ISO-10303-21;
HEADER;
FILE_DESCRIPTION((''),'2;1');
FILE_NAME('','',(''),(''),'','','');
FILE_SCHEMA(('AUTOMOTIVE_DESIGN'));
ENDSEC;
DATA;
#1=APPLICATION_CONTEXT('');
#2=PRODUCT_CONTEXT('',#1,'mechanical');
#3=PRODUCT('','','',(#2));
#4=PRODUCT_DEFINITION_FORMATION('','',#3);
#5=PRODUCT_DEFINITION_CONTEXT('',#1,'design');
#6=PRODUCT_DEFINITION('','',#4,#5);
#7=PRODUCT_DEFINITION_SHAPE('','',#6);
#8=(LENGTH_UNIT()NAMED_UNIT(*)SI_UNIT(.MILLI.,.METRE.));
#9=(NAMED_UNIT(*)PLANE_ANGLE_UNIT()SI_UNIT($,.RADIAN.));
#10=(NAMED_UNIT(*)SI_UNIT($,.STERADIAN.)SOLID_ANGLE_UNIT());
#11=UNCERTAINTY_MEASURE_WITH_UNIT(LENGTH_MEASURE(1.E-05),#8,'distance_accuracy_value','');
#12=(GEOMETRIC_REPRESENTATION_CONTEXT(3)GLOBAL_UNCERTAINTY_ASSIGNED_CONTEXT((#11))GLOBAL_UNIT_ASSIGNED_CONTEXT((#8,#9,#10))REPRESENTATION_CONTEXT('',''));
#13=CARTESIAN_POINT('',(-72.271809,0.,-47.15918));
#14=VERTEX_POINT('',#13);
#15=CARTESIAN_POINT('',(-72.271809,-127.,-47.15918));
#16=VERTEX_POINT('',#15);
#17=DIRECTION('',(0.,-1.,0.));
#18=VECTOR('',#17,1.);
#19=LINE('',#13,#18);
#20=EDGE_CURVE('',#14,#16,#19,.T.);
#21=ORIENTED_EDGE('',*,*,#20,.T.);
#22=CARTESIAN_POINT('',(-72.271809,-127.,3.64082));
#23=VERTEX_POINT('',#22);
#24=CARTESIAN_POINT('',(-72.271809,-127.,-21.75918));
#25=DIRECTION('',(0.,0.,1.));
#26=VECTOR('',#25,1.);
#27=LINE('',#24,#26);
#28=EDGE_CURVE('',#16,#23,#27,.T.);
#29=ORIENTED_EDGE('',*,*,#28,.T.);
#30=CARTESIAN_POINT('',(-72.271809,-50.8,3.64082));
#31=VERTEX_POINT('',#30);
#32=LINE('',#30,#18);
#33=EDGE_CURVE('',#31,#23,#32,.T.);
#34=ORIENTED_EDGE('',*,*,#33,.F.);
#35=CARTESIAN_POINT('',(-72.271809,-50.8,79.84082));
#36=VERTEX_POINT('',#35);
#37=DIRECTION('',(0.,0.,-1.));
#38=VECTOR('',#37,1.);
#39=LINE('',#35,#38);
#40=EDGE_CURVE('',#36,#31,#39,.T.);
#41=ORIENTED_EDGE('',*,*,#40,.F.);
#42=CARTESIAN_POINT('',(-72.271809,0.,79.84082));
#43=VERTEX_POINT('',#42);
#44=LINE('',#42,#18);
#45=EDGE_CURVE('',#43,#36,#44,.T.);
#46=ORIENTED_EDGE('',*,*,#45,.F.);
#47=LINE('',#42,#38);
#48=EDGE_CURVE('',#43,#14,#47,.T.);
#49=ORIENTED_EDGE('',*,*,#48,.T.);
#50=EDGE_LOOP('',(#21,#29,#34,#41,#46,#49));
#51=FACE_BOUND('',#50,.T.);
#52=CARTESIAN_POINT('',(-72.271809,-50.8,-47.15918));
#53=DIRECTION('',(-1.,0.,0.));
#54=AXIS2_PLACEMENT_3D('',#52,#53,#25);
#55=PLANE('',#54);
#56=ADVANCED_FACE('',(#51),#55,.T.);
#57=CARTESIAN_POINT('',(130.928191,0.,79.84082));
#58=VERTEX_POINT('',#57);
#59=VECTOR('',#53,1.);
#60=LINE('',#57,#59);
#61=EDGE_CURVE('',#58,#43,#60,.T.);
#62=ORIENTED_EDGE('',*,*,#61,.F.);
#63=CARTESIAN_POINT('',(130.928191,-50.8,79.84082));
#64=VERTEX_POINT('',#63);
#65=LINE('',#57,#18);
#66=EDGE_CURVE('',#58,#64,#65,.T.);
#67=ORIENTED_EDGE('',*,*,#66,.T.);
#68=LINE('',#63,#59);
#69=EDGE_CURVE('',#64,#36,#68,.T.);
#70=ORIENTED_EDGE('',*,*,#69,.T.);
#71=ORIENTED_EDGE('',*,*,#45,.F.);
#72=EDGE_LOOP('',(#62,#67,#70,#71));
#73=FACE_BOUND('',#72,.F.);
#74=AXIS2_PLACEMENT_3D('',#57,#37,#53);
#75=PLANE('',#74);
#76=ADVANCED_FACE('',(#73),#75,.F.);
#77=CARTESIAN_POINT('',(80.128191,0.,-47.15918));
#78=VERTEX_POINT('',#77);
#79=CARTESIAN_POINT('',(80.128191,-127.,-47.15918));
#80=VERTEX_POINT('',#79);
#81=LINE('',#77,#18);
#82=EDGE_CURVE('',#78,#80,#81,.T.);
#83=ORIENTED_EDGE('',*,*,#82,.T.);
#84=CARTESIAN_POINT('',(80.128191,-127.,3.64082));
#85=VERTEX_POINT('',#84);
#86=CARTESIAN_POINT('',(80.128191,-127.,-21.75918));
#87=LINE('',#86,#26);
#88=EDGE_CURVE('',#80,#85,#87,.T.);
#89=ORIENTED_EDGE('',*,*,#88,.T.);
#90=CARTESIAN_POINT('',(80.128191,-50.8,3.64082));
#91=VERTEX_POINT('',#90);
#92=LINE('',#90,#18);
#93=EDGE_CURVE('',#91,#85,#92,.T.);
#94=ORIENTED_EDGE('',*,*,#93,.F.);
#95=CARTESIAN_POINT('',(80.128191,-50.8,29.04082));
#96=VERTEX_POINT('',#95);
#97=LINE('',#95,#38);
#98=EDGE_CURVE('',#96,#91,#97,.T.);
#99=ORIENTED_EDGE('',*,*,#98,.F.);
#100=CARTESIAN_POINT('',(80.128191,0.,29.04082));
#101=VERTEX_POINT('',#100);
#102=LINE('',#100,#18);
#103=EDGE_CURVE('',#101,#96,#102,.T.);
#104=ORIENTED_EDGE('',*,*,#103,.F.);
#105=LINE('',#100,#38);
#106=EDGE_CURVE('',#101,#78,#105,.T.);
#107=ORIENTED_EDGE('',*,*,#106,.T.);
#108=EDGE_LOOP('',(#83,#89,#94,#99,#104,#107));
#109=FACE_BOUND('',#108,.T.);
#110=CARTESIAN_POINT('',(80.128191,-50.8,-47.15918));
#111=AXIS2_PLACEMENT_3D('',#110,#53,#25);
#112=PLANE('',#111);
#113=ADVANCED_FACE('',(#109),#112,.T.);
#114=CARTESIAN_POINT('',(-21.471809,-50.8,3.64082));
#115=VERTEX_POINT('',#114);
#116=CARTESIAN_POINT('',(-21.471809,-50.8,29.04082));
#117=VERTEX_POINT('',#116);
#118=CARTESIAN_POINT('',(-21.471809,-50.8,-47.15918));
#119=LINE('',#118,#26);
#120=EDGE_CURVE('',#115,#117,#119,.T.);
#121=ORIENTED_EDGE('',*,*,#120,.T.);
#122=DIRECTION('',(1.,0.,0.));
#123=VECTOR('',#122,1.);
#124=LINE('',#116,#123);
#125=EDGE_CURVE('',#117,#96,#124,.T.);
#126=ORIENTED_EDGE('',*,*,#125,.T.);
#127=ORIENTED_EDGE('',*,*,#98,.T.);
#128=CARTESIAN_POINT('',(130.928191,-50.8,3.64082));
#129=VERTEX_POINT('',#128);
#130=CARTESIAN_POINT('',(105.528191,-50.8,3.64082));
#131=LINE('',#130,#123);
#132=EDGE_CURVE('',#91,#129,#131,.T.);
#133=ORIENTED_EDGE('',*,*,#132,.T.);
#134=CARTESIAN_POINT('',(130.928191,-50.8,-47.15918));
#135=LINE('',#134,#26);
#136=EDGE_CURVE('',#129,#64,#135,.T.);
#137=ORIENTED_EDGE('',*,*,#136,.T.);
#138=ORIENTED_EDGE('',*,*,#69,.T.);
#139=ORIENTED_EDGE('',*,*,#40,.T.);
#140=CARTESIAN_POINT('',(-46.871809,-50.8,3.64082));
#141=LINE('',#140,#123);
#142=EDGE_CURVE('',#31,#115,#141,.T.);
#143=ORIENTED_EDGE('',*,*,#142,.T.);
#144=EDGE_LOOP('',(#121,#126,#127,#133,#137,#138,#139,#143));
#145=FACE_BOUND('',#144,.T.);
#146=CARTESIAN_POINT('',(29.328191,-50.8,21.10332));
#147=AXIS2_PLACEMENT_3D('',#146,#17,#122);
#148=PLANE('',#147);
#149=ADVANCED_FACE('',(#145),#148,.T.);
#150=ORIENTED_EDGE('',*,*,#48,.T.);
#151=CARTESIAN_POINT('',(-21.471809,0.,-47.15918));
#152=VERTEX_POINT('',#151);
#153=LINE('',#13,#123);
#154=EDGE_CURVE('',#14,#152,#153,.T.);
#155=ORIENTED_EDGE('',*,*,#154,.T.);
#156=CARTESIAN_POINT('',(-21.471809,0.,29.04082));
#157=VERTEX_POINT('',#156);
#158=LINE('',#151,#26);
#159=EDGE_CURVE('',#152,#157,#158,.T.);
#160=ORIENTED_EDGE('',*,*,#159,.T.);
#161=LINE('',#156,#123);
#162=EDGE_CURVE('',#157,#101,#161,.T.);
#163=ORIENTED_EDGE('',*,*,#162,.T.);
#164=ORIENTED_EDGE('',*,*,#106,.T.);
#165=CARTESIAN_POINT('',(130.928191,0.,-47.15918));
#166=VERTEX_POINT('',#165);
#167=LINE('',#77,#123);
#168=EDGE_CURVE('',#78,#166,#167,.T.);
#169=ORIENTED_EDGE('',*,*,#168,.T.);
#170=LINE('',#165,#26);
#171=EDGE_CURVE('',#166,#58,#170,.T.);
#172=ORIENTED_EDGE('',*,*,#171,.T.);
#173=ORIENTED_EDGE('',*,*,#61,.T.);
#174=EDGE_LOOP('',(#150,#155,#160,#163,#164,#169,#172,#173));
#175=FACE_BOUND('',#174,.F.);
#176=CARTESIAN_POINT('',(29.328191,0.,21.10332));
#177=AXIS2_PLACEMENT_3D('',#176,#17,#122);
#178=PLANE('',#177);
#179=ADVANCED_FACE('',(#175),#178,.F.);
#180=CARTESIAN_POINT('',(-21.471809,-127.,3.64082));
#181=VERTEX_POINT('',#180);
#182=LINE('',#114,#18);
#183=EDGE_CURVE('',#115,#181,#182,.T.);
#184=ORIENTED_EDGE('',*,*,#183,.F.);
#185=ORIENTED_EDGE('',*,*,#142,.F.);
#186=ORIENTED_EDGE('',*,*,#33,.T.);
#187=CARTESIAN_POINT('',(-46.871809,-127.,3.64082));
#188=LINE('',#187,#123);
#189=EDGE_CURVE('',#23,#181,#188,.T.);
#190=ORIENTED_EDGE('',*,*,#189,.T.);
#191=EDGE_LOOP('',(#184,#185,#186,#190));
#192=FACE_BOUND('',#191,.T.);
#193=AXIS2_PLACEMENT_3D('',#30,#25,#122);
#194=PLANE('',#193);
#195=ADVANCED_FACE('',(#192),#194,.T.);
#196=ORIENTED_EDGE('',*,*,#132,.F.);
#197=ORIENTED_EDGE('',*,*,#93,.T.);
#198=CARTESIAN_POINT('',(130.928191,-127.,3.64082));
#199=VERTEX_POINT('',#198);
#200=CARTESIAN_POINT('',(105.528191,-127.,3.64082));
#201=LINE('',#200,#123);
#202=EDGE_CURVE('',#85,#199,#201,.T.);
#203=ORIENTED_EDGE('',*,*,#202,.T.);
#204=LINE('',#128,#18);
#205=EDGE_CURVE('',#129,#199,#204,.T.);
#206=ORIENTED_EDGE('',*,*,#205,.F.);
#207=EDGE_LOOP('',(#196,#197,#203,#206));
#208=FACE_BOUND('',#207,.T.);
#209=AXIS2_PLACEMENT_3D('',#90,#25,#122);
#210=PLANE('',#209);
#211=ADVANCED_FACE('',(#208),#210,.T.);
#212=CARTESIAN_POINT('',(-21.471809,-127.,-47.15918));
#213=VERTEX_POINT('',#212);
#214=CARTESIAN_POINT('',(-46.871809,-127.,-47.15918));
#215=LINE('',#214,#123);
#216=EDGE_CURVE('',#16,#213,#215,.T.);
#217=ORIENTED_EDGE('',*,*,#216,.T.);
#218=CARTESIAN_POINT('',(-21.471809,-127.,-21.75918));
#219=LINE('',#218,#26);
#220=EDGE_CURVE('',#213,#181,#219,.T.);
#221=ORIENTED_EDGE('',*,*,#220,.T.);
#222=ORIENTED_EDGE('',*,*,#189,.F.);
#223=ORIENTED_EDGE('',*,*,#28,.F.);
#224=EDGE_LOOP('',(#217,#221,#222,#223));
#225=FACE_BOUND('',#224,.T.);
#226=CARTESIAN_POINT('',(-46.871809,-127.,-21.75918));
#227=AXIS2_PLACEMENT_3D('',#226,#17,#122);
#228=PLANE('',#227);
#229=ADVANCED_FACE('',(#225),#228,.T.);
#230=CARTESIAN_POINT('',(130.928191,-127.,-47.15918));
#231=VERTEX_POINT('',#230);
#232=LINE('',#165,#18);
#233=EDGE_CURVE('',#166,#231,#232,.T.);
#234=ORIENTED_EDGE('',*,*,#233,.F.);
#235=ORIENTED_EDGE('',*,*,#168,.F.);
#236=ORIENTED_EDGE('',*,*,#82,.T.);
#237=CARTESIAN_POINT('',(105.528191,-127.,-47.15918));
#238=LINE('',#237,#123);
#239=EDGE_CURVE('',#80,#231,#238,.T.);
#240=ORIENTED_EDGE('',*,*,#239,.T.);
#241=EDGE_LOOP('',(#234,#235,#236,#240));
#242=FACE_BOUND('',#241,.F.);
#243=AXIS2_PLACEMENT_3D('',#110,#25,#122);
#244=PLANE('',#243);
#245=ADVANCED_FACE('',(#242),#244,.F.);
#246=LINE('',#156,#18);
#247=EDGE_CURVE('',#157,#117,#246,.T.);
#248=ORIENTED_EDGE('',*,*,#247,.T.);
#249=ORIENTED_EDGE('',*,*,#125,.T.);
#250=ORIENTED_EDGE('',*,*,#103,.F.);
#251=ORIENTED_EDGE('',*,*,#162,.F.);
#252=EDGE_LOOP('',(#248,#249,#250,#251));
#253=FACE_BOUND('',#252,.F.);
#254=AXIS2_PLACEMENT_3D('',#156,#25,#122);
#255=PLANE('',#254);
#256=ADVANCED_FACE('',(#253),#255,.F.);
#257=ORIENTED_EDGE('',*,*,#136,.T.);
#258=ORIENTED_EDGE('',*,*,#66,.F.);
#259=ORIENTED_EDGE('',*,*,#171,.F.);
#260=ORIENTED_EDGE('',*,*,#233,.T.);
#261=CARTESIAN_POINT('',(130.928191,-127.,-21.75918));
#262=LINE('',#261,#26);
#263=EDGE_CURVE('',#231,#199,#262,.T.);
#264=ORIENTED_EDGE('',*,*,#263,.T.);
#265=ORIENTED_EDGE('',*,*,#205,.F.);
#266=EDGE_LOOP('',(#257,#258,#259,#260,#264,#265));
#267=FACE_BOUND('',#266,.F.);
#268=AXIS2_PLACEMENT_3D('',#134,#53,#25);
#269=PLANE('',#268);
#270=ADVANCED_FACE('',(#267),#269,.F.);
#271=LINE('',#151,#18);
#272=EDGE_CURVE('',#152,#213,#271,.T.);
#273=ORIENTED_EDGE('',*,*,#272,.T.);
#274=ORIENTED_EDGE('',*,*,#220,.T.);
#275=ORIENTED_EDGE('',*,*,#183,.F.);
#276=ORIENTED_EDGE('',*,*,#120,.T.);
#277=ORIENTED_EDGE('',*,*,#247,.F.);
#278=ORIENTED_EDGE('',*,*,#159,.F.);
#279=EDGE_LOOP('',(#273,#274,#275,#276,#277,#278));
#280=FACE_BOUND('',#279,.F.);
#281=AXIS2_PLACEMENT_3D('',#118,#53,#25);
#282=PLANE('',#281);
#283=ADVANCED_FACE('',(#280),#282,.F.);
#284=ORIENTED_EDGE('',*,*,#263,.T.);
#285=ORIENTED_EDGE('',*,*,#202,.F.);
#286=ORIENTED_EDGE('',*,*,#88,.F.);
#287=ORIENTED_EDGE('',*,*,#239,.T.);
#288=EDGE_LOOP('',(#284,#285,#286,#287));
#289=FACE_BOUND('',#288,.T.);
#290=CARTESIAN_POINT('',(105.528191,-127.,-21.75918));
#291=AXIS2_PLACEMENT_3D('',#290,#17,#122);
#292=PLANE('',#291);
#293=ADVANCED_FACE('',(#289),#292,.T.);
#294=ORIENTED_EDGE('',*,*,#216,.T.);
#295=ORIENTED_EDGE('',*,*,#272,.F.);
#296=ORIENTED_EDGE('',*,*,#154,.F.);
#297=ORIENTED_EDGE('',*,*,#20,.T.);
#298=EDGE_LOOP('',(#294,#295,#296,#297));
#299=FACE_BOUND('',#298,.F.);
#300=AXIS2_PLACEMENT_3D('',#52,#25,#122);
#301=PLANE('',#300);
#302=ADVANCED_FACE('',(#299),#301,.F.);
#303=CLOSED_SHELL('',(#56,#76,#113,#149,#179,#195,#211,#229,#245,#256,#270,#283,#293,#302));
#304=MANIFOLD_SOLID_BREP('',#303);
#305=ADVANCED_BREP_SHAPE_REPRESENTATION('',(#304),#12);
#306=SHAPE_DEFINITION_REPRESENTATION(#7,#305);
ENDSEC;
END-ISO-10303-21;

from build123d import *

# Parameters (mm, degrees)
F1_DEPTH = 50.8
F2_W     = 50.8
F2_H     = 50.8
F3_DEPTH = 76.2
F4_W     = 50.8
F4_H     = 50.8
F5_DEPTH = 76.2


with BuildPart() as f1:
    # F0 (on Front) → F1 (new body)
    with BuildSketch(Plane.XZ):
        Polygon((-72.271809, 79.84082), (-72.271809, -47.15918), (-21.471809, -47.15918), (-21.471809, 29.04082), (80.128191, 29.04082), (80.128191, -47.15918), (130.928191, -47.15918), (130.928191, 79.84082), align=None)
    extrude(amount=F1_DEPTH)

    # F2 (on face) → F3 (join)
    with BuildSketch(Plane.XZ.offset(50.8)):
        with Locations((-46.871809, -21.75918)):
            Rectangle(F2_W, F2_H)
    extrude(amount=F3_DEPTH)

    # F4 (on face) → F5 (join)
    with BuildSketch(Plane.XZ.offset(50.8)):
        with Locations((105.528191, -21.75918)):
            Rectangle(F4_W, F4_H)
    extrude(amount=F5_DEPTH)


solid = f1.part
